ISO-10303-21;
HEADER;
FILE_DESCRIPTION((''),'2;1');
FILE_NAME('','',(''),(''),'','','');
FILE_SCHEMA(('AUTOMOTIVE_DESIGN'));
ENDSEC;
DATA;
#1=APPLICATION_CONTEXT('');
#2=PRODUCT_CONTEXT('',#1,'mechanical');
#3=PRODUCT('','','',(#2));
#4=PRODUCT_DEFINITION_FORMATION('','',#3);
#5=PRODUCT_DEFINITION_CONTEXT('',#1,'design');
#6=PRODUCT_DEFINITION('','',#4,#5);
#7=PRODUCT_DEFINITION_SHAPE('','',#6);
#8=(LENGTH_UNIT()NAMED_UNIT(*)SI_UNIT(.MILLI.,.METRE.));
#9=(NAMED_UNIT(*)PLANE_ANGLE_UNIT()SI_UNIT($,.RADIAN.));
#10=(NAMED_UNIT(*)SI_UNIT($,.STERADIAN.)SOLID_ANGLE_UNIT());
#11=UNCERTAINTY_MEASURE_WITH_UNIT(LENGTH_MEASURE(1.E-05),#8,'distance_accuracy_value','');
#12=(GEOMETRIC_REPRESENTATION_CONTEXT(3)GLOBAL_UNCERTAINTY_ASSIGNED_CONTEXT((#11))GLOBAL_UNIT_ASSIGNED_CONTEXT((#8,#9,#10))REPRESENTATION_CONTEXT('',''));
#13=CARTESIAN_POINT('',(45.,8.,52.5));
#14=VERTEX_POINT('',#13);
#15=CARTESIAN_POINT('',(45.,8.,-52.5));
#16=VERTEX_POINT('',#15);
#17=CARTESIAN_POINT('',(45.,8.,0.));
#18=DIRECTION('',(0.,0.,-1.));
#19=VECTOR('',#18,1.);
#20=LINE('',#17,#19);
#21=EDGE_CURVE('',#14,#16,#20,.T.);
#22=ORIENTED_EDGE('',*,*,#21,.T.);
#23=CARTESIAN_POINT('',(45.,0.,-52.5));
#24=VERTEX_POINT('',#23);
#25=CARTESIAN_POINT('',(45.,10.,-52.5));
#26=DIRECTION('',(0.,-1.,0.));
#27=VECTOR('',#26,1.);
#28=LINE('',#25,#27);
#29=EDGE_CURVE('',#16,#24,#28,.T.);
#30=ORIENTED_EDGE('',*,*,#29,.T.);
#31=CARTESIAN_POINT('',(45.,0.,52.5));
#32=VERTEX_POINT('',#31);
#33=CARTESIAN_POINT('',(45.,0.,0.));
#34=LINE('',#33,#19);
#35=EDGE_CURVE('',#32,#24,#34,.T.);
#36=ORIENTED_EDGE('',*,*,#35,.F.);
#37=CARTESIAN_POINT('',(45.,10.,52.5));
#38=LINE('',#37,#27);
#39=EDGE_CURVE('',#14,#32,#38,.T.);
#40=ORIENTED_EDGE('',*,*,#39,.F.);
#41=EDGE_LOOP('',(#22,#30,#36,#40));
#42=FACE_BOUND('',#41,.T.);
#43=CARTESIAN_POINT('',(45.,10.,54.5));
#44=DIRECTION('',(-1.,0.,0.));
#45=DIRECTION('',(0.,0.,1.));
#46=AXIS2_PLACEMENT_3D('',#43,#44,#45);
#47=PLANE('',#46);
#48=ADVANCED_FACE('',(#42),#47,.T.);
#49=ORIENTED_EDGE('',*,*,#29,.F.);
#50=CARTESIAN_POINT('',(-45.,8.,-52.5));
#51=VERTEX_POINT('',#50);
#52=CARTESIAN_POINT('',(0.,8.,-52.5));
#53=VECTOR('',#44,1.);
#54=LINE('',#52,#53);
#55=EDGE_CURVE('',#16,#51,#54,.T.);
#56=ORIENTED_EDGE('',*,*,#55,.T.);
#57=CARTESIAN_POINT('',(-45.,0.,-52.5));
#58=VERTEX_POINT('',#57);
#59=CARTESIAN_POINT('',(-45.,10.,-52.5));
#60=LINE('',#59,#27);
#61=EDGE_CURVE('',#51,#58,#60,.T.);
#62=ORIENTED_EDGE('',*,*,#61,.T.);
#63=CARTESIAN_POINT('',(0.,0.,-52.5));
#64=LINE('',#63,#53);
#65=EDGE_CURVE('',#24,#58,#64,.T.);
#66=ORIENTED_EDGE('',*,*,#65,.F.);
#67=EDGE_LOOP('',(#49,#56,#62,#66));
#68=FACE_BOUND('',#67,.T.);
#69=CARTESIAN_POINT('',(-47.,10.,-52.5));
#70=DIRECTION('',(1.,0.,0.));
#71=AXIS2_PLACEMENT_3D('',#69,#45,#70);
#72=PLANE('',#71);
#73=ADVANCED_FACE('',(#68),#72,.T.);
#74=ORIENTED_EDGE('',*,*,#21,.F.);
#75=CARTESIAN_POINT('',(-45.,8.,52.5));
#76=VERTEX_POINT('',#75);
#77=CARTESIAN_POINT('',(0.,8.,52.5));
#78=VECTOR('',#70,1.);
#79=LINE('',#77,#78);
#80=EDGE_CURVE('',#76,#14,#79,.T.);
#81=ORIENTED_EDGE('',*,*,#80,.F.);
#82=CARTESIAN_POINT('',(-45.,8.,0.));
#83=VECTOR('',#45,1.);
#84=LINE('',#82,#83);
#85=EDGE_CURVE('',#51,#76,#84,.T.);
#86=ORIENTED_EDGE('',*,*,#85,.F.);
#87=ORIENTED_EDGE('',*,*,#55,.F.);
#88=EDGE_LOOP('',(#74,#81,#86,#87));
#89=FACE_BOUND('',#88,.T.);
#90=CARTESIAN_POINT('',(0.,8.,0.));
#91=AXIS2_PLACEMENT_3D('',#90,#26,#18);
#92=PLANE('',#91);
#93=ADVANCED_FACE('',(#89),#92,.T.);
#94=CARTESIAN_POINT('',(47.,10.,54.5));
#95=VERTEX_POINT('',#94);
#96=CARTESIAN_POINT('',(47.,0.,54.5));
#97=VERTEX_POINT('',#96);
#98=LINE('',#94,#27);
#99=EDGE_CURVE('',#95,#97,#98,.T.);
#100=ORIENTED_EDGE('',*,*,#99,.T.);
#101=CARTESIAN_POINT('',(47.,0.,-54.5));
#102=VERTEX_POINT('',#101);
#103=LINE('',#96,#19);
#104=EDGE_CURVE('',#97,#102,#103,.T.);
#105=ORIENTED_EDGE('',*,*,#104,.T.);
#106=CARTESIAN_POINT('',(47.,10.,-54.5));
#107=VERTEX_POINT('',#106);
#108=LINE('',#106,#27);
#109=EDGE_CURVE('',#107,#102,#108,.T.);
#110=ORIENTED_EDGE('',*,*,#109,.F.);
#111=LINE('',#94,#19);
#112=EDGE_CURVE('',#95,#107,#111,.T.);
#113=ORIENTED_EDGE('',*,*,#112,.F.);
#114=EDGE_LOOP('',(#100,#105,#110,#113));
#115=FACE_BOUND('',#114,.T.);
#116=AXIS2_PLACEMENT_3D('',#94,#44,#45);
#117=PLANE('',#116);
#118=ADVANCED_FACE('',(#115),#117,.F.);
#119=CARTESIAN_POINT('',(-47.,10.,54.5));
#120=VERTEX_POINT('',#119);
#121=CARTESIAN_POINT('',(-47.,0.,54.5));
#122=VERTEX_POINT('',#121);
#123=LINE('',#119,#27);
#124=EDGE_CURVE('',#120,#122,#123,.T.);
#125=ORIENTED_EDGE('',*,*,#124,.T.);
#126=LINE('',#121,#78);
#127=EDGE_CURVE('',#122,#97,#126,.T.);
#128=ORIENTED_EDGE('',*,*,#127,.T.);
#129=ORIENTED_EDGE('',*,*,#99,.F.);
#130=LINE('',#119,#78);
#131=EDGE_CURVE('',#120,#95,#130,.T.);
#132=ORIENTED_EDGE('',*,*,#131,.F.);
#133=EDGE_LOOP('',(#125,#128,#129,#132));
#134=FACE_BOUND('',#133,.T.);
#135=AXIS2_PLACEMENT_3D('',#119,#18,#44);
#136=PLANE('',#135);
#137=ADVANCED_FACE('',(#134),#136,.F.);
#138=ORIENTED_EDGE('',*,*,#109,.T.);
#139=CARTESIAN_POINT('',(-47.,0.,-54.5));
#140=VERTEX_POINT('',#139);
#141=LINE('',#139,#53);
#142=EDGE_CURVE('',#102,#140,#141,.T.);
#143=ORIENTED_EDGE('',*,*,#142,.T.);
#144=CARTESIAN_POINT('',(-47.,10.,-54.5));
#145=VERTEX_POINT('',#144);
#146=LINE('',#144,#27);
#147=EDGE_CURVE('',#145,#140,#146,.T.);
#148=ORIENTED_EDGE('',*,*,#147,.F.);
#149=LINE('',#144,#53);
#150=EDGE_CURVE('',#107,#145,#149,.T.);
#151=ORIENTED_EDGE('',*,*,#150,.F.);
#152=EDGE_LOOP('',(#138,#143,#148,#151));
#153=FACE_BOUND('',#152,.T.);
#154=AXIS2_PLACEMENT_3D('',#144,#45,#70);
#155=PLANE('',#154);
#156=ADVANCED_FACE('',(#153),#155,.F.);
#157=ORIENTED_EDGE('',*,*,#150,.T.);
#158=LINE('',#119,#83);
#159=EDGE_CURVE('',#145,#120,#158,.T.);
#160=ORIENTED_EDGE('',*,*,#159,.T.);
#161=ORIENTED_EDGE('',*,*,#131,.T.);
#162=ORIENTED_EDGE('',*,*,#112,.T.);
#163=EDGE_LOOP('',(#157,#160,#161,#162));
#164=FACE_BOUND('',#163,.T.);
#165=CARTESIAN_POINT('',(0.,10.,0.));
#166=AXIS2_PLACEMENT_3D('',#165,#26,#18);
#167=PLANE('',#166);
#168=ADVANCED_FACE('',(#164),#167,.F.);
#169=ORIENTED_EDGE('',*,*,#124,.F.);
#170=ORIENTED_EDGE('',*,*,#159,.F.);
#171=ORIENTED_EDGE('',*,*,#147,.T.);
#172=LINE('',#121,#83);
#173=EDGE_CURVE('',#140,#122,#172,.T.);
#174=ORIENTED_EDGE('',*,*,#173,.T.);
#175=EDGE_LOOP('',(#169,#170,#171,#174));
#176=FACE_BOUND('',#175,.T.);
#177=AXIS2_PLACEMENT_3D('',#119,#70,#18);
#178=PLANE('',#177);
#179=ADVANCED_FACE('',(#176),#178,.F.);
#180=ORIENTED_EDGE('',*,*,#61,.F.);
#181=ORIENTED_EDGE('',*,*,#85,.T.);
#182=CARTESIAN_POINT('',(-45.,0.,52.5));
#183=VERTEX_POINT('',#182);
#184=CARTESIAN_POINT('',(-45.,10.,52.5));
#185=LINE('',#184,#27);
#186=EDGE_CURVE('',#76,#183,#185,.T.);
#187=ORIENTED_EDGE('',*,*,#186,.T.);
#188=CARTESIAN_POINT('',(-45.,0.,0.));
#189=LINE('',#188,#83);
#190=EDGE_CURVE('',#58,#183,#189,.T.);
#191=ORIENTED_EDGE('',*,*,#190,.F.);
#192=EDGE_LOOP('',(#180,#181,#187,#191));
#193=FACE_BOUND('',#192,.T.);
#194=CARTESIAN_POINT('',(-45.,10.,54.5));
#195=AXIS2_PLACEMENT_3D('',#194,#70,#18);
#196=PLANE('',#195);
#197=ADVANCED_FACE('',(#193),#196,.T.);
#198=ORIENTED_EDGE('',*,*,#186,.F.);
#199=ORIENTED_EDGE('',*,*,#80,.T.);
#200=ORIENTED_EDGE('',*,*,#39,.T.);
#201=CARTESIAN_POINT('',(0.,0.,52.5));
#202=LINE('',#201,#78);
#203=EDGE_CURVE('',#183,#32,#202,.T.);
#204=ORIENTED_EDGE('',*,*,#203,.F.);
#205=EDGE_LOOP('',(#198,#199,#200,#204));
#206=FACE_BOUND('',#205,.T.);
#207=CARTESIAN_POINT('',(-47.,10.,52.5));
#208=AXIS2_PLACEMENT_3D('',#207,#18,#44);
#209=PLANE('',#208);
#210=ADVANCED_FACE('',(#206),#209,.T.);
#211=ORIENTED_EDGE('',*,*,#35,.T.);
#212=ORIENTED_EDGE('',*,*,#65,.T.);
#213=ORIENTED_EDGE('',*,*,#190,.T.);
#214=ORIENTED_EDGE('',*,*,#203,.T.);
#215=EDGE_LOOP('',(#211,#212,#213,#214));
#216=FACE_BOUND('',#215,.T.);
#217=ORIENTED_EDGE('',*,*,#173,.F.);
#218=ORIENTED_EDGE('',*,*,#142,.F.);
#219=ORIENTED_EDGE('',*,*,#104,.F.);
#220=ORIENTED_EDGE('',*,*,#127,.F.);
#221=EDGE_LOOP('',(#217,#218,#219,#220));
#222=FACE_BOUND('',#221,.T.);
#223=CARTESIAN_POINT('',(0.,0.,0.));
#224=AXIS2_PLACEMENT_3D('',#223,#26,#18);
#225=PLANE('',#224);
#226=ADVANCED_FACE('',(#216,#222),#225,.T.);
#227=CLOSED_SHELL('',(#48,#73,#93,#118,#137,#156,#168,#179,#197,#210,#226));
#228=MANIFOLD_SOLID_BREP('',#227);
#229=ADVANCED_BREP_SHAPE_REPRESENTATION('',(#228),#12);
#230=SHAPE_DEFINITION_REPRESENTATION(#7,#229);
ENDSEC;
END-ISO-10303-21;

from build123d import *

# Parameters (mm, degrees)
SKETCH1_W           = 94
SKETCH1_H           = 109
BOSS_EXTRUDE1_DEPTH = 10
SHELL1_T            = -2


with BuildPart() as part:
    # Sketch1 → Boss-Extrude1 (new body)
    with BuildSketch(Plane(origin=(0, 0, 0), x_dir=(1, 0, 0), z_dir=(0, 1, 0))):
        Rectangle(SKETCH1_W, SKETCH1_H)
    extrude(amount=BOSS_EXTRUDE1_DEPTH)

    # Shell1
    shell1_openings = [part.faces().sort_by_distance(p)[0] for p in [
        (0, 0, 0),
    ]]
    offset(amount=SHELL1_T, openings=shell1_openings, kind=Kind.INTERSECTION)


solid = part.part
